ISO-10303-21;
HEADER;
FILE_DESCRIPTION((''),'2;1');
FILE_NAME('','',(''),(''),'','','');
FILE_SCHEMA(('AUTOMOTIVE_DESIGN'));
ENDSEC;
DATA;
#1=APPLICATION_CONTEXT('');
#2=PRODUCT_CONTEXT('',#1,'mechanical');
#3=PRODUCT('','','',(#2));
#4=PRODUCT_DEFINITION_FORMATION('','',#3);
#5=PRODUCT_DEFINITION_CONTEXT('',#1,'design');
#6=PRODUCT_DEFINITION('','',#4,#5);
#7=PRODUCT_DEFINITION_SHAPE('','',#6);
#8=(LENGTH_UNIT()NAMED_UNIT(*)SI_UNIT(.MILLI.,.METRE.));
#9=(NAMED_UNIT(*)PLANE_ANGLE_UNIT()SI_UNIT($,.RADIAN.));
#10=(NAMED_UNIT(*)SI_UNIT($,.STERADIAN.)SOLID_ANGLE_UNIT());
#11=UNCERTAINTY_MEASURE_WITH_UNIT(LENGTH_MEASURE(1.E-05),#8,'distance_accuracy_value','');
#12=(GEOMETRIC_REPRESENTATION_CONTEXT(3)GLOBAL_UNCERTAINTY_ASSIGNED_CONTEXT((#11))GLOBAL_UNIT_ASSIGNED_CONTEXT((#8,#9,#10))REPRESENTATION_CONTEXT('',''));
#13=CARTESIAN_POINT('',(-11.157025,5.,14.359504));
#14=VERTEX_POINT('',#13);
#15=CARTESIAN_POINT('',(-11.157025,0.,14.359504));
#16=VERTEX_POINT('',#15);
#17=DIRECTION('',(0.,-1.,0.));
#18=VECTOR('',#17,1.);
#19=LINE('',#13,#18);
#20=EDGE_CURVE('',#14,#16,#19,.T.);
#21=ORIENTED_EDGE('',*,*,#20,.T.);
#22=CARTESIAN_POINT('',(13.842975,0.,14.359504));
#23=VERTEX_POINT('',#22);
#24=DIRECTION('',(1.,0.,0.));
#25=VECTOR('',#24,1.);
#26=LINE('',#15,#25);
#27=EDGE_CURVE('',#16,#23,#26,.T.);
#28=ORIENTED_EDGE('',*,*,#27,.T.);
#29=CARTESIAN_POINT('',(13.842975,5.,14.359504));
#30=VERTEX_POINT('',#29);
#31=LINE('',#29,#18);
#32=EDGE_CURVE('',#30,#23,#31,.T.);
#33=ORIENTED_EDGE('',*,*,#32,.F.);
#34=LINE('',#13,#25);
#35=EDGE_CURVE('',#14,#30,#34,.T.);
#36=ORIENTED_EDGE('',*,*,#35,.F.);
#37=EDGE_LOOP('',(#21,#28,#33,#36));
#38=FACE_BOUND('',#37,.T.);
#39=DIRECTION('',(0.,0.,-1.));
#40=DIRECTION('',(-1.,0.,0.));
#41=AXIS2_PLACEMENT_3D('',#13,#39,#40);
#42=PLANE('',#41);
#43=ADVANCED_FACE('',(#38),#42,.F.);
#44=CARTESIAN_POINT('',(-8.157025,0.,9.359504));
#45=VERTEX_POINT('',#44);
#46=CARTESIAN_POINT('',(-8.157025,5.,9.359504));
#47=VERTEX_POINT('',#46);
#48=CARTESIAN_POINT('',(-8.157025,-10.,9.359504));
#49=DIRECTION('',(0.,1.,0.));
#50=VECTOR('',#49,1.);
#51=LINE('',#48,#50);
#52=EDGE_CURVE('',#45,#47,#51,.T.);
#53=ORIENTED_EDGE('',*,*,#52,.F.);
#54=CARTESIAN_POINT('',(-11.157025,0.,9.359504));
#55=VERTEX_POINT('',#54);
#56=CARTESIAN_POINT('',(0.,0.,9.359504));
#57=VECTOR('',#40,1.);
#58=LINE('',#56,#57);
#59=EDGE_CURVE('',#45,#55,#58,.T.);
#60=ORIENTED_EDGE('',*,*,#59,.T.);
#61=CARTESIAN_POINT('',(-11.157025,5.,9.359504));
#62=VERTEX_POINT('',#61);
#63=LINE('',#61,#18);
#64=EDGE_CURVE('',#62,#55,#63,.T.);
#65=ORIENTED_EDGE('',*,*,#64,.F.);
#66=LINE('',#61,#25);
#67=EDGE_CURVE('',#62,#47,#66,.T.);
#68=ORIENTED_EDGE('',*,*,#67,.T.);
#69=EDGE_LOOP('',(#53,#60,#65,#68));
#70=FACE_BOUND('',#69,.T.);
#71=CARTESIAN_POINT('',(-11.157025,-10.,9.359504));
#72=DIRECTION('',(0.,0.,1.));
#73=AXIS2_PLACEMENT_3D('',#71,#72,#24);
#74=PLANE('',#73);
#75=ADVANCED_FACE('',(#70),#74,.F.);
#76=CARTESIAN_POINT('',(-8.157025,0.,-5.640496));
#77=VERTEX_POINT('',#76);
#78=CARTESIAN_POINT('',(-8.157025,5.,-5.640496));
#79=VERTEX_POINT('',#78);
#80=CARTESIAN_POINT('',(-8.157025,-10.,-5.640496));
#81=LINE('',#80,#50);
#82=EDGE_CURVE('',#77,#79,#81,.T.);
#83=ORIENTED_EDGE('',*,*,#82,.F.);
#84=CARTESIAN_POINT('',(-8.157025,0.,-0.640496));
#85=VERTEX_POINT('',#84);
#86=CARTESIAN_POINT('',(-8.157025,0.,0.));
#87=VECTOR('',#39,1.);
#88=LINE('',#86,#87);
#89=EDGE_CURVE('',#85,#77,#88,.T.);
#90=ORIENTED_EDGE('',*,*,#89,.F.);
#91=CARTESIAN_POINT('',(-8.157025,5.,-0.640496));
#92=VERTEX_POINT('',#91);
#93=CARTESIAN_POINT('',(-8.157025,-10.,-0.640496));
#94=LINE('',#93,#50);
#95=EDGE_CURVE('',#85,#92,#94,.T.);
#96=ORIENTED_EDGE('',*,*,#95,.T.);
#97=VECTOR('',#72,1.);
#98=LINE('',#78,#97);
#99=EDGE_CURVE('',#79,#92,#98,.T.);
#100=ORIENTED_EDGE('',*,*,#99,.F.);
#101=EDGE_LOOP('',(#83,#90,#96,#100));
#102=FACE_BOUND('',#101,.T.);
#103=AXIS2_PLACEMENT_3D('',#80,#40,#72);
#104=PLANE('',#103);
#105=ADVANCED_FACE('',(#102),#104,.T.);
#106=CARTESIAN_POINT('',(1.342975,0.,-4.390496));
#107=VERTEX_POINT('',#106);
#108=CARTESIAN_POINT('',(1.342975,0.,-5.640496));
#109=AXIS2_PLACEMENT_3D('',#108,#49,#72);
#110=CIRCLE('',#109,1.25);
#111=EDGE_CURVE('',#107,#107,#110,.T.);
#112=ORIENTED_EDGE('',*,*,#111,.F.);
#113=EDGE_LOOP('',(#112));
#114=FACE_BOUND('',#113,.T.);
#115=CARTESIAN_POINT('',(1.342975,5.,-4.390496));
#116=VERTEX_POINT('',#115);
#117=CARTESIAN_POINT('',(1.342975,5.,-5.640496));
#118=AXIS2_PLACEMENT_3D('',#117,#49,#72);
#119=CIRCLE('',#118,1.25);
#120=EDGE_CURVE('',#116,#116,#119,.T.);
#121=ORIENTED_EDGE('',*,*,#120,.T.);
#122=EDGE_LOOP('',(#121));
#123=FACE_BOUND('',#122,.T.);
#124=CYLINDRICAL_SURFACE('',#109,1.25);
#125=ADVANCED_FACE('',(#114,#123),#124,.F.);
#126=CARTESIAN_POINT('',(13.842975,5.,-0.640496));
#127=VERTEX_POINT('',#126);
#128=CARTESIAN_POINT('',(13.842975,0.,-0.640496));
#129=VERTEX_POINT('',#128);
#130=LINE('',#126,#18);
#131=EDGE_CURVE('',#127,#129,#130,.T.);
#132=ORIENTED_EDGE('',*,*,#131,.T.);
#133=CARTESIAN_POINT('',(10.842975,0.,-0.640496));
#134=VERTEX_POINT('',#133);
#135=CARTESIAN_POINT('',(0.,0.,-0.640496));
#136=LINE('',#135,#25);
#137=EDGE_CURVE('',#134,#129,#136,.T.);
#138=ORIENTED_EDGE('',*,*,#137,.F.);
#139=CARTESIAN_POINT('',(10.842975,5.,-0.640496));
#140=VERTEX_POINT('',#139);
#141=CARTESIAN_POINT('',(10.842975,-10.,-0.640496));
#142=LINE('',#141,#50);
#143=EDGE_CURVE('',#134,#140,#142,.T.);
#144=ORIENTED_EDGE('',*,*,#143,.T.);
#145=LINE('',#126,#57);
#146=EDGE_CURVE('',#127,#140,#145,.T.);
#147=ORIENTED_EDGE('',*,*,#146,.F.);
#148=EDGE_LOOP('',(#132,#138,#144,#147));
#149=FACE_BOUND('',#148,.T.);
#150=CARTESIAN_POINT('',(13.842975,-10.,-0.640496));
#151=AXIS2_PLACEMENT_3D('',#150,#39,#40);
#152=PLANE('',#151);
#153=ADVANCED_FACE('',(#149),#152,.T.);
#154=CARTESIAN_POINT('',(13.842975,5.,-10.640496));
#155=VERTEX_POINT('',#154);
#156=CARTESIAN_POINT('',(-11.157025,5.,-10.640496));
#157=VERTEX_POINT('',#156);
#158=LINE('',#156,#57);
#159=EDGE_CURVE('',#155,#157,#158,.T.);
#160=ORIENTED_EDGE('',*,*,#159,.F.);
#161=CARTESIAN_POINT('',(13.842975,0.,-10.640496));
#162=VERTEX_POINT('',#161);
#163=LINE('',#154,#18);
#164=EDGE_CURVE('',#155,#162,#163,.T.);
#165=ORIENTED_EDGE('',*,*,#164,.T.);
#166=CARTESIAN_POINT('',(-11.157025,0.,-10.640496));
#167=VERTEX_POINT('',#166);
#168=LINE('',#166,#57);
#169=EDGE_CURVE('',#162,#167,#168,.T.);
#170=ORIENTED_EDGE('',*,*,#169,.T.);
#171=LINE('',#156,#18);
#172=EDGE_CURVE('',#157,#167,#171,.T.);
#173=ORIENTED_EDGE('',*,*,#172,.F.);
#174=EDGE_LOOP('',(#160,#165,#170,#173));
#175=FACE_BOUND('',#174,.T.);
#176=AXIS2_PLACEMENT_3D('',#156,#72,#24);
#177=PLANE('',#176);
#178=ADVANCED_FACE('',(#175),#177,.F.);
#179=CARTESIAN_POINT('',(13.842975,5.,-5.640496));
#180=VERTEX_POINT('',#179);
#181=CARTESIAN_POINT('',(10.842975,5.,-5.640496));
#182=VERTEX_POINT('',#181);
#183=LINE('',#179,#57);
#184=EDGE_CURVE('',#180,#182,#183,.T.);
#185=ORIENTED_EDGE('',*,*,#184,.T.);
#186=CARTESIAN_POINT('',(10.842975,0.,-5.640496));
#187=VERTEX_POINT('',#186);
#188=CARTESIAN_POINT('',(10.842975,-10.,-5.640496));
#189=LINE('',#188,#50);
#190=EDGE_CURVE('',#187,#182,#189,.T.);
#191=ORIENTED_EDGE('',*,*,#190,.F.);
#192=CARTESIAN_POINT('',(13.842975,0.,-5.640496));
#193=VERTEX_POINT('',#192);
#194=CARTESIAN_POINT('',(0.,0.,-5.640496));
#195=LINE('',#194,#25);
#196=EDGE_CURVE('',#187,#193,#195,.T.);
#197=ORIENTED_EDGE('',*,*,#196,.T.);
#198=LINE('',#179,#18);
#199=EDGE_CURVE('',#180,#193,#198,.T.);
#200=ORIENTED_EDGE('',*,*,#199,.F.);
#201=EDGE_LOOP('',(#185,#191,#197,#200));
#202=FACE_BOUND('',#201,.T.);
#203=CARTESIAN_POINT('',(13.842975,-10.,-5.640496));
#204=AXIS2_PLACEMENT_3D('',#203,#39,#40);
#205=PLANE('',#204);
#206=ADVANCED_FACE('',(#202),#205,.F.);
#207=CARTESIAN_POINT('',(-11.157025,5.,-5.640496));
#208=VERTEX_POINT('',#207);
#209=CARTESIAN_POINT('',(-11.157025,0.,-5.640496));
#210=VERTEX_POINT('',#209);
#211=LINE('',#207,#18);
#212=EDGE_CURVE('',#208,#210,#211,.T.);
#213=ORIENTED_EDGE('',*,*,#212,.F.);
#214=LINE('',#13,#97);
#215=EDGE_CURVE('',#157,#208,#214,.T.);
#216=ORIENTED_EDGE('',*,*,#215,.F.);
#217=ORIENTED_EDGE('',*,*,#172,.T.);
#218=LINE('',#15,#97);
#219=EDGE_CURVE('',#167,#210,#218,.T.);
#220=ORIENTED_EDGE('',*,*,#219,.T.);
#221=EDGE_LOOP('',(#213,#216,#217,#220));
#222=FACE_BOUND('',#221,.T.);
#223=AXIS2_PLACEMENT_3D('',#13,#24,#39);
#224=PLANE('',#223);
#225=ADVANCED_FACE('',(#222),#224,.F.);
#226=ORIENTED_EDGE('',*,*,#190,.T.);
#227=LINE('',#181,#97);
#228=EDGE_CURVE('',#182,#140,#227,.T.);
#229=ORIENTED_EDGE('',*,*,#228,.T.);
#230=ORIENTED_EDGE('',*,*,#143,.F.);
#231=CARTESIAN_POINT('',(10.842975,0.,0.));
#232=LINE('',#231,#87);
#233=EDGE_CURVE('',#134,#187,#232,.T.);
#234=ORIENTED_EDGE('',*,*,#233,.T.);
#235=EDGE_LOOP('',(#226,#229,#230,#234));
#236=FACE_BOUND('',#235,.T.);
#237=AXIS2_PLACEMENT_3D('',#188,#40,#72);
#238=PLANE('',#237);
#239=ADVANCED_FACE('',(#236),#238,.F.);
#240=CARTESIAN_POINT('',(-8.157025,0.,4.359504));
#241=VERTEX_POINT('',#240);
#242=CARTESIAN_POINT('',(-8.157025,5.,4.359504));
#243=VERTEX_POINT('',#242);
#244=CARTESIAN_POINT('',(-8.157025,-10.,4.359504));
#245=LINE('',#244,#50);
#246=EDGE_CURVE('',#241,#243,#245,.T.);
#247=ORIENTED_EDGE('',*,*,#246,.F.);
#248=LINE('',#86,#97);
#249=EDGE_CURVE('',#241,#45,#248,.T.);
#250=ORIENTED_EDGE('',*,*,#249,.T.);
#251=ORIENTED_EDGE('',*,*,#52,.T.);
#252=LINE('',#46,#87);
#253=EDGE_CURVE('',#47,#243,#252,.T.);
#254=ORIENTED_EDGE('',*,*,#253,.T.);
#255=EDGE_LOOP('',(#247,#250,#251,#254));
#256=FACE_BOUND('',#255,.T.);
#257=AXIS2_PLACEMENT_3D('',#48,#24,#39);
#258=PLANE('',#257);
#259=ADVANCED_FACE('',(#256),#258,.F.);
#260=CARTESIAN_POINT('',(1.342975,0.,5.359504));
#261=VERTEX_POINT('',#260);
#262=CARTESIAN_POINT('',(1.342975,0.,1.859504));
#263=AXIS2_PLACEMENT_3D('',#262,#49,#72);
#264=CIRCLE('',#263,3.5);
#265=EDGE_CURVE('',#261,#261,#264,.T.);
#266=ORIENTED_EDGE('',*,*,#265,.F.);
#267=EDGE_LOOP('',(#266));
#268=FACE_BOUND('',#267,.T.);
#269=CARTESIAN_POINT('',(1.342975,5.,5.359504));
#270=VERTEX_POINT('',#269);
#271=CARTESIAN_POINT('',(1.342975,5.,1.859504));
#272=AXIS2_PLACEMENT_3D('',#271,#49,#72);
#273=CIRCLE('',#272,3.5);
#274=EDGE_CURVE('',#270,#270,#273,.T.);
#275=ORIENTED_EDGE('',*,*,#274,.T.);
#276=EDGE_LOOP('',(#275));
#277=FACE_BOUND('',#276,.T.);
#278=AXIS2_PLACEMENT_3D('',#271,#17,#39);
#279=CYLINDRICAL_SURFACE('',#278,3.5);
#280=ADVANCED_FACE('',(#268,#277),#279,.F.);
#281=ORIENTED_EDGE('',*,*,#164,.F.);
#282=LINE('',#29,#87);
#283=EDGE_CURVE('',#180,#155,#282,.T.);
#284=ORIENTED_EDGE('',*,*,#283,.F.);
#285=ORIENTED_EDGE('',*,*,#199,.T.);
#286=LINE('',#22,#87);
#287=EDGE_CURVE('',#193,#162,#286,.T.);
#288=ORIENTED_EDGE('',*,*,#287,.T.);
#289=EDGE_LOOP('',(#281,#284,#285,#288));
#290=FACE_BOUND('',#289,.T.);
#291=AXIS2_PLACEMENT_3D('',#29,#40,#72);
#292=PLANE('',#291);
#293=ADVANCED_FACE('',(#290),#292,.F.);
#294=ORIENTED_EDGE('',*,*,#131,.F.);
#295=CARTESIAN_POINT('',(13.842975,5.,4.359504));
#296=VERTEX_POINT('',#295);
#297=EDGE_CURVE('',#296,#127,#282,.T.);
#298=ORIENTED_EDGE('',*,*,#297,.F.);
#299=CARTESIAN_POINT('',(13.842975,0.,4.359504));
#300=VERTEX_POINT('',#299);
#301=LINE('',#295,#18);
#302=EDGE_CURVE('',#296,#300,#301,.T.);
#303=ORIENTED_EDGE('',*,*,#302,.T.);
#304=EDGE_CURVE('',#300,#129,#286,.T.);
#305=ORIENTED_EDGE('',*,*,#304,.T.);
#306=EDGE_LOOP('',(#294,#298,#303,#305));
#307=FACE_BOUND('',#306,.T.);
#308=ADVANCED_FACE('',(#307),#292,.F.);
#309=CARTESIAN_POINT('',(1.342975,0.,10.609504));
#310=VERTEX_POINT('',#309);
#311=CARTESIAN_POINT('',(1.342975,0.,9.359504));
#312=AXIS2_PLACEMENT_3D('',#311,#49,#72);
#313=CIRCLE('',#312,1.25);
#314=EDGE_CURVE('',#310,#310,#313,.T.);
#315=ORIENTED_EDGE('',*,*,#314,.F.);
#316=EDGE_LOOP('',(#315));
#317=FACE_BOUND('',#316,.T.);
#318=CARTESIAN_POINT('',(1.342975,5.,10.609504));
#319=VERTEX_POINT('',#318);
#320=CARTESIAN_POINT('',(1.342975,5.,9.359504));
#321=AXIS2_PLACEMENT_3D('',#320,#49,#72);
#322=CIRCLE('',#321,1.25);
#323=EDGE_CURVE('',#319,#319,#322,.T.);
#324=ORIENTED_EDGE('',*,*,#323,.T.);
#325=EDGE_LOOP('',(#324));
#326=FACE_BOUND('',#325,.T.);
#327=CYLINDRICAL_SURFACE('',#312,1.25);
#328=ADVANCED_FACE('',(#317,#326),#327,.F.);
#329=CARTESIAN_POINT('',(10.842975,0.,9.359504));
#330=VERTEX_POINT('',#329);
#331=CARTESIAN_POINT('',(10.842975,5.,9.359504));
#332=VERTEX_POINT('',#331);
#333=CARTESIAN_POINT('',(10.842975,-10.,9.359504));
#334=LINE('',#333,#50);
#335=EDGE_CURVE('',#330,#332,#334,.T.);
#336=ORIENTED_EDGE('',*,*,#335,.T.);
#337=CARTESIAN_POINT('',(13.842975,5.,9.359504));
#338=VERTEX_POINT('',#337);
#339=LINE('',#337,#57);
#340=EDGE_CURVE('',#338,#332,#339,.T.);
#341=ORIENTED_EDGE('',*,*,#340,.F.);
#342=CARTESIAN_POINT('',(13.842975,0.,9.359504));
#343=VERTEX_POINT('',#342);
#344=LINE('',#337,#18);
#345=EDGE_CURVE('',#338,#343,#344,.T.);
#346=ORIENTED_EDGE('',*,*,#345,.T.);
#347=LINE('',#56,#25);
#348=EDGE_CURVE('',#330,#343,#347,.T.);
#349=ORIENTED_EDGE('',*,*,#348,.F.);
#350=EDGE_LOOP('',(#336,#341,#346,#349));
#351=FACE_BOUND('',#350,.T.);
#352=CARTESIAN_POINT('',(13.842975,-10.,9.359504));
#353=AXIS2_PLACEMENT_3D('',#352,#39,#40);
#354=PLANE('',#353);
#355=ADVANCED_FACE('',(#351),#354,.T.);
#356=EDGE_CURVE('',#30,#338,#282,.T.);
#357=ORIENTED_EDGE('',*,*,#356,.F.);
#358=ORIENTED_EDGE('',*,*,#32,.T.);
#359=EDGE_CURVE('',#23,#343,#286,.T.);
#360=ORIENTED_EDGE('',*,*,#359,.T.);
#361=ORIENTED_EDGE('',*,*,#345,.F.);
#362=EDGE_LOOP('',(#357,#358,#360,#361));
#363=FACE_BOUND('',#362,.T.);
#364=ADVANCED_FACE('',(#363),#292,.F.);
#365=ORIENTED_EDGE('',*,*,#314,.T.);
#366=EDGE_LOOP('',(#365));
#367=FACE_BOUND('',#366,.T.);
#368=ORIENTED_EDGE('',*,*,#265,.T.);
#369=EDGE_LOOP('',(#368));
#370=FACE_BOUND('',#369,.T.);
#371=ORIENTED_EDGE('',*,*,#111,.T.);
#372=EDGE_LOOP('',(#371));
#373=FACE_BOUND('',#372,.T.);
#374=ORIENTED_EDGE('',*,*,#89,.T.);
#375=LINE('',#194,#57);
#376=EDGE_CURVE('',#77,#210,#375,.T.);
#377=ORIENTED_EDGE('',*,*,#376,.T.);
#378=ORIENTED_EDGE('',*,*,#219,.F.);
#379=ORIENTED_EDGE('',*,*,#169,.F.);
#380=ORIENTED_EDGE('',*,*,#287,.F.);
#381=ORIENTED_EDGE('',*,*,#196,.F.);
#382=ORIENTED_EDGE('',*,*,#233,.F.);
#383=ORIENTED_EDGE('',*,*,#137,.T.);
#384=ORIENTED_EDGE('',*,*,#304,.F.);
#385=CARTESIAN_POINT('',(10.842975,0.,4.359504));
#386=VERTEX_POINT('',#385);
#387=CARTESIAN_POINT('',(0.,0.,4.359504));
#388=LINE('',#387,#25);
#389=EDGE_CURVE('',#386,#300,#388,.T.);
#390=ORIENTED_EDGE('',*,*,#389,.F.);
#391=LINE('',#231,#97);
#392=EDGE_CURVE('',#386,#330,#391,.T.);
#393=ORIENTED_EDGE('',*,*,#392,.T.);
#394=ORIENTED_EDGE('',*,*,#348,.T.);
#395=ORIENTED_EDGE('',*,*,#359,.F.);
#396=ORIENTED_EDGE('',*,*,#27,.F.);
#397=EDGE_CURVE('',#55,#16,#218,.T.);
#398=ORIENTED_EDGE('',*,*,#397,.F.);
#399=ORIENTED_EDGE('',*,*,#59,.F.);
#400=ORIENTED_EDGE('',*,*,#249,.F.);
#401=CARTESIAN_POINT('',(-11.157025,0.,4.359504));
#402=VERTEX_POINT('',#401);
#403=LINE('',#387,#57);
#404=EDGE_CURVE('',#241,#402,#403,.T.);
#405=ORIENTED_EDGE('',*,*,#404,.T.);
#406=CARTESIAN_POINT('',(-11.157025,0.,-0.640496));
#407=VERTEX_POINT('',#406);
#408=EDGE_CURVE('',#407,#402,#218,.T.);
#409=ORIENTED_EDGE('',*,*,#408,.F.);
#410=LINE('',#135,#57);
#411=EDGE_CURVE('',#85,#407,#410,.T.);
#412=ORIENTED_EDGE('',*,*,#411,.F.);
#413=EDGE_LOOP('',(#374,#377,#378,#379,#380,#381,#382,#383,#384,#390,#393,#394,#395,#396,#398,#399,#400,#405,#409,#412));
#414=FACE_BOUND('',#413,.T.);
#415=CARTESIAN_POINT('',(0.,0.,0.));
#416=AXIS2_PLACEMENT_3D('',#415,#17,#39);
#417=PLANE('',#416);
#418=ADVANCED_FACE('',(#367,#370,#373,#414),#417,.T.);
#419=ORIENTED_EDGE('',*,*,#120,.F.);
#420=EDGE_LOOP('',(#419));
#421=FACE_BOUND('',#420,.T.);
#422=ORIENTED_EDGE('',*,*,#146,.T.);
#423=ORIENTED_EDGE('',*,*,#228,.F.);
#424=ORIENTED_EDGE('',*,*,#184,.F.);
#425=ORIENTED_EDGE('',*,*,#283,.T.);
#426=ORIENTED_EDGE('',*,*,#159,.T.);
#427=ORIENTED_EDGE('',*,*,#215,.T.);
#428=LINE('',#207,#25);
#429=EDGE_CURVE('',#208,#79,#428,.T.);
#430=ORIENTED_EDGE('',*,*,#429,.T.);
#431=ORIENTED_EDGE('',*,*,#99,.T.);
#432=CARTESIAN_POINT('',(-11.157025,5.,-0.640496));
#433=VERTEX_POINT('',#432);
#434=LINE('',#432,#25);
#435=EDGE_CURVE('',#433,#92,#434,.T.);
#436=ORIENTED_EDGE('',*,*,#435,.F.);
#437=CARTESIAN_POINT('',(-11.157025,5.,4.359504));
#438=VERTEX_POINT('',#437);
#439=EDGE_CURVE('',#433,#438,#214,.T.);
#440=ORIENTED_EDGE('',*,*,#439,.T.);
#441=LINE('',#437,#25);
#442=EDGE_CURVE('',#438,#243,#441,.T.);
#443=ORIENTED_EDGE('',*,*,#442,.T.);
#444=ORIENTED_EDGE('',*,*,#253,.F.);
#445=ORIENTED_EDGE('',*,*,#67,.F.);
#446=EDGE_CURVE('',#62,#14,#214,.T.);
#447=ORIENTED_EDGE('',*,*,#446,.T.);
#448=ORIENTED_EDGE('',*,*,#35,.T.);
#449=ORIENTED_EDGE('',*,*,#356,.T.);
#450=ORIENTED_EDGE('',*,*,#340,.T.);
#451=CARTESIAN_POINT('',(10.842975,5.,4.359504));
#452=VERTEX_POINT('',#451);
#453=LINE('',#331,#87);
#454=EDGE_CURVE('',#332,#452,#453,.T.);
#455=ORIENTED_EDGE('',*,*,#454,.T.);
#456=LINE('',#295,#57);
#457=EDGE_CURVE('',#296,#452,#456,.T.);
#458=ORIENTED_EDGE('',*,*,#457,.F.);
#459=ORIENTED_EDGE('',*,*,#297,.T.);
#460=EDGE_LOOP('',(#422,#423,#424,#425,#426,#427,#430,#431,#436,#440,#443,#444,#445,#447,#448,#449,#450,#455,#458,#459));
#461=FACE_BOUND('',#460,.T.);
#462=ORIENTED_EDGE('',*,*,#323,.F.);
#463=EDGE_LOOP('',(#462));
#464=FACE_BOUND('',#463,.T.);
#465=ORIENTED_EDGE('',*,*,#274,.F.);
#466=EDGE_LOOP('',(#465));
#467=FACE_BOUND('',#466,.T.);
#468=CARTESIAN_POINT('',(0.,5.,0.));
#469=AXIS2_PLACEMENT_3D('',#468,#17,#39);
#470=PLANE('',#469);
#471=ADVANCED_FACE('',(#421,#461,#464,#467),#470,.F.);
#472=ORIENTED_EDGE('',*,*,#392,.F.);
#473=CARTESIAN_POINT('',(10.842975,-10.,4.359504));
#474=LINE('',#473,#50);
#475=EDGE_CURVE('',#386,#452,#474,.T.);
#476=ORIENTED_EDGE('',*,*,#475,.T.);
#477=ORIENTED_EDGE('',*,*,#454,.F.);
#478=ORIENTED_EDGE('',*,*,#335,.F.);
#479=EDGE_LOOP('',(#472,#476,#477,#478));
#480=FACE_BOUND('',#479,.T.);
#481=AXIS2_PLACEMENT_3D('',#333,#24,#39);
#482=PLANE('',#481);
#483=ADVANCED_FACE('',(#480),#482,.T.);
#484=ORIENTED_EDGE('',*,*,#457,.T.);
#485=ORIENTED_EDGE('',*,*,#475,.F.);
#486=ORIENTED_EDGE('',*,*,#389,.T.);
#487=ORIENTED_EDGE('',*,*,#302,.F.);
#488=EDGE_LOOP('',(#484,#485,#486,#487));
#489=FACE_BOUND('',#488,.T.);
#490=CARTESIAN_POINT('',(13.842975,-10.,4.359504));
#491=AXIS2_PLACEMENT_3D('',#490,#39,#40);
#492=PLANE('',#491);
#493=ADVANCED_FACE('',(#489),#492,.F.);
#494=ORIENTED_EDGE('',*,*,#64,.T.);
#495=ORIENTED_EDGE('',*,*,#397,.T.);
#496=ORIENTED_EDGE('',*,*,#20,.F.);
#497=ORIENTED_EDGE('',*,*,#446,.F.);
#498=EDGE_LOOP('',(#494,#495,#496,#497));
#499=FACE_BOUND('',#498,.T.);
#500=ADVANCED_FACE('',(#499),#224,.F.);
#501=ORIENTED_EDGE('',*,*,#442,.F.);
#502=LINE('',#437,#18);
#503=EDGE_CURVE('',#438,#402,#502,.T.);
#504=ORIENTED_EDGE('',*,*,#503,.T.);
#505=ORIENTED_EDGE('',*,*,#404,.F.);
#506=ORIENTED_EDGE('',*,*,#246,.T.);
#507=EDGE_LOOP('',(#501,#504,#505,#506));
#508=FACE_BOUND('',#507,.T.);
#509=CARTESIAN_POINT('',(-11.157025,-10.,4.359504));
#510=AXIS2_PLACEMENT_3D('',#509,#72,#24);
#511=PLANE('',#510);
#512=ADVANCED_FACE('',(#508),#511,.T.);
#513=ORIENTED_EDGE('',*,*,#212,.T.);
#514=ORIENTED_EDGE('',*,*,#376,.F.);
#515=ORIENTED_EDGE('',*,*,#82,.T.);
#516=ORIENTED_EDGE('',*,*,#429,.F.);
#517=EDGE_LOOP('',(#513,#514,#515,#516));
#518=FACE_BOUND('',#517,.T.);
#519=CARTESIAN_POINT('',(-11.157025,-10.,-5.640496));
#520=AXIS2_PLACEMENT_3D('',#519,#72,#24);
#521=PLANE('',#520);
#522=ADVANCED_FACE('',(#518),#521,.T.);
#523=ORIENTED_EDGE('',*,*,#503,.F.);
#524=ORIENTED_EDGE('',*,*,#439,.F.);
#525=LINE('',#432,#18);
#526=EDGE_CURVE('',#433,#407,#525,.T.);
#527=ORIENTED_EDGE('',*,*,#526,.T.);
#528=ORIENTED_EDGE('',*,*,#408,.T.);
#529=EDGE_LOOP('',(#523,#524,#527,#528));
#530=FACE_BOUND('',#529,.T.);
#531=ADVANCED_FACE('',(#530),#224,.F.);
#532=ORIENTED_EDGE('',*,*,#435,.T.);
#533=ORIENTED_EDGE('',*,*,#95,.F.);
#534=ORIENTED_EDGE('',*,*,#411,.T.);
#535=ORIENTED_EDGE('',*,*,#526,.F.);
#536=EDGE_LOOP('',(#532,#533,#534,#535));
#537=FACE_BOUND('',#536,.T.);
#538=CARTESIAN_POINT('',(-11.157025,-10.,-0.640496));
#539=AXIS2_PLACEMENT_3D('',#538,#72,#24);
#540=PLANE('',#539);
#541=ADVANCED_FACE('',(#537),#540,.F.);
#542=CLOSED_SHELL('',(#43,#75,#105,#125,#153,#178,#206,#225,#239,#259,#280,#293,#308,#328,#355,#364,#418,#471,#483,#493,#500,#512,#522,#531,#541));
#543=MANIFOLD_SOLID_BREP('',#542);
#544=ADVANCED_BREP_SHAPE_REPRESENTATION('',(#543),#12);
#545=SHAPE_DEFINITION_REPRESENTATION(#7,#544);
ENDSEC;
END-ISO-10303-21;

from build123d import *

# Parameters (mm, degrees)
SKETCH1_W           = 25
SKETCH1_H           = 25
SKETCH1_R           = 3.5
BOSS_EXTRUDE1_DEPTH = 5
SKETCH2_W           = 3
SKETCH2_H           = 5
CUT_EXTRUDE1_DEPTH  = 15
SKETCH3_R           = 1.25
SKETCH3_R_2         = 3.402319191
CUT_EXTRUDE2_DEPTH  = 5


with BuildPart() as part:
    # Sketch1 → Boss-Extrude1 (new body)
    with BuildSketch(Plane(origin=(0, 0, 0), x_dir=(1, 0, 0), z_dir=(0, 1, 0))):
        with Locations((1.342975207, -1.859504132)):
            Rectangle(SKETCH1_W, SKETCH1_H)
        with Locations(Location((1.342975207, -1.859504132, 0), (0, 0, 270))):
            Circle(SKETCH1_R, mode=Mode.SUBTRACT)
    extrude(amount=BOSS_EXTRUDE1_DEPTH)

    # Sketch2 → Cut-Extrude1 (cut)
    with BuildSketch(Plane(origin=(0, 5, 0), x_dir=(1, 0, 0), z_dir=(0, 1, 0))):
        with Locations((-9.657024793, 3.140495868)):
            Rectangle(SKETCH2_W, SKETCH2_H)
        with Locations((-9.657024793, -6.859504132)):
            Rectangle(SKETCH2_W, SKETCH2_H)
        with Locations((12.342975207, -6.859504132)):
            Rectangle(SKETCH2_W, SKETCH2_H)
        with Locations((12.342975207, 3.140495868)):
            Rectangle(SKETCH2_W, SKETCH2_H)
    extrude(amount=-CUT_EXTRUDE1_DEPTH, mode=Mode.SUBTRACT)

    # Sketch3 → Cut-Extrude2 (cut)
    with BuildSketch(Plane(origin=(0, 5, 0), x_dir=(1, 0, 0), z_dir=(0, 1, 0))):
        with Locations(Location((1.342975207, 5.640495868, 0), (0, 0, 270))):
            Circle(SKETCH3_R)
        with Locations(Location((1.342975207, -9.359504132, 0), (0, 0, 270))):
            Circle(SKETCH3_R)
        with Locations((1.342975207, -1.859504132)):
            Circle(SKETCH3_R_2)
    extrude(amount=-CUT_EXTRUDE2_DEPTH, mode=Mode.SUBTRACT)


solid = part.part
